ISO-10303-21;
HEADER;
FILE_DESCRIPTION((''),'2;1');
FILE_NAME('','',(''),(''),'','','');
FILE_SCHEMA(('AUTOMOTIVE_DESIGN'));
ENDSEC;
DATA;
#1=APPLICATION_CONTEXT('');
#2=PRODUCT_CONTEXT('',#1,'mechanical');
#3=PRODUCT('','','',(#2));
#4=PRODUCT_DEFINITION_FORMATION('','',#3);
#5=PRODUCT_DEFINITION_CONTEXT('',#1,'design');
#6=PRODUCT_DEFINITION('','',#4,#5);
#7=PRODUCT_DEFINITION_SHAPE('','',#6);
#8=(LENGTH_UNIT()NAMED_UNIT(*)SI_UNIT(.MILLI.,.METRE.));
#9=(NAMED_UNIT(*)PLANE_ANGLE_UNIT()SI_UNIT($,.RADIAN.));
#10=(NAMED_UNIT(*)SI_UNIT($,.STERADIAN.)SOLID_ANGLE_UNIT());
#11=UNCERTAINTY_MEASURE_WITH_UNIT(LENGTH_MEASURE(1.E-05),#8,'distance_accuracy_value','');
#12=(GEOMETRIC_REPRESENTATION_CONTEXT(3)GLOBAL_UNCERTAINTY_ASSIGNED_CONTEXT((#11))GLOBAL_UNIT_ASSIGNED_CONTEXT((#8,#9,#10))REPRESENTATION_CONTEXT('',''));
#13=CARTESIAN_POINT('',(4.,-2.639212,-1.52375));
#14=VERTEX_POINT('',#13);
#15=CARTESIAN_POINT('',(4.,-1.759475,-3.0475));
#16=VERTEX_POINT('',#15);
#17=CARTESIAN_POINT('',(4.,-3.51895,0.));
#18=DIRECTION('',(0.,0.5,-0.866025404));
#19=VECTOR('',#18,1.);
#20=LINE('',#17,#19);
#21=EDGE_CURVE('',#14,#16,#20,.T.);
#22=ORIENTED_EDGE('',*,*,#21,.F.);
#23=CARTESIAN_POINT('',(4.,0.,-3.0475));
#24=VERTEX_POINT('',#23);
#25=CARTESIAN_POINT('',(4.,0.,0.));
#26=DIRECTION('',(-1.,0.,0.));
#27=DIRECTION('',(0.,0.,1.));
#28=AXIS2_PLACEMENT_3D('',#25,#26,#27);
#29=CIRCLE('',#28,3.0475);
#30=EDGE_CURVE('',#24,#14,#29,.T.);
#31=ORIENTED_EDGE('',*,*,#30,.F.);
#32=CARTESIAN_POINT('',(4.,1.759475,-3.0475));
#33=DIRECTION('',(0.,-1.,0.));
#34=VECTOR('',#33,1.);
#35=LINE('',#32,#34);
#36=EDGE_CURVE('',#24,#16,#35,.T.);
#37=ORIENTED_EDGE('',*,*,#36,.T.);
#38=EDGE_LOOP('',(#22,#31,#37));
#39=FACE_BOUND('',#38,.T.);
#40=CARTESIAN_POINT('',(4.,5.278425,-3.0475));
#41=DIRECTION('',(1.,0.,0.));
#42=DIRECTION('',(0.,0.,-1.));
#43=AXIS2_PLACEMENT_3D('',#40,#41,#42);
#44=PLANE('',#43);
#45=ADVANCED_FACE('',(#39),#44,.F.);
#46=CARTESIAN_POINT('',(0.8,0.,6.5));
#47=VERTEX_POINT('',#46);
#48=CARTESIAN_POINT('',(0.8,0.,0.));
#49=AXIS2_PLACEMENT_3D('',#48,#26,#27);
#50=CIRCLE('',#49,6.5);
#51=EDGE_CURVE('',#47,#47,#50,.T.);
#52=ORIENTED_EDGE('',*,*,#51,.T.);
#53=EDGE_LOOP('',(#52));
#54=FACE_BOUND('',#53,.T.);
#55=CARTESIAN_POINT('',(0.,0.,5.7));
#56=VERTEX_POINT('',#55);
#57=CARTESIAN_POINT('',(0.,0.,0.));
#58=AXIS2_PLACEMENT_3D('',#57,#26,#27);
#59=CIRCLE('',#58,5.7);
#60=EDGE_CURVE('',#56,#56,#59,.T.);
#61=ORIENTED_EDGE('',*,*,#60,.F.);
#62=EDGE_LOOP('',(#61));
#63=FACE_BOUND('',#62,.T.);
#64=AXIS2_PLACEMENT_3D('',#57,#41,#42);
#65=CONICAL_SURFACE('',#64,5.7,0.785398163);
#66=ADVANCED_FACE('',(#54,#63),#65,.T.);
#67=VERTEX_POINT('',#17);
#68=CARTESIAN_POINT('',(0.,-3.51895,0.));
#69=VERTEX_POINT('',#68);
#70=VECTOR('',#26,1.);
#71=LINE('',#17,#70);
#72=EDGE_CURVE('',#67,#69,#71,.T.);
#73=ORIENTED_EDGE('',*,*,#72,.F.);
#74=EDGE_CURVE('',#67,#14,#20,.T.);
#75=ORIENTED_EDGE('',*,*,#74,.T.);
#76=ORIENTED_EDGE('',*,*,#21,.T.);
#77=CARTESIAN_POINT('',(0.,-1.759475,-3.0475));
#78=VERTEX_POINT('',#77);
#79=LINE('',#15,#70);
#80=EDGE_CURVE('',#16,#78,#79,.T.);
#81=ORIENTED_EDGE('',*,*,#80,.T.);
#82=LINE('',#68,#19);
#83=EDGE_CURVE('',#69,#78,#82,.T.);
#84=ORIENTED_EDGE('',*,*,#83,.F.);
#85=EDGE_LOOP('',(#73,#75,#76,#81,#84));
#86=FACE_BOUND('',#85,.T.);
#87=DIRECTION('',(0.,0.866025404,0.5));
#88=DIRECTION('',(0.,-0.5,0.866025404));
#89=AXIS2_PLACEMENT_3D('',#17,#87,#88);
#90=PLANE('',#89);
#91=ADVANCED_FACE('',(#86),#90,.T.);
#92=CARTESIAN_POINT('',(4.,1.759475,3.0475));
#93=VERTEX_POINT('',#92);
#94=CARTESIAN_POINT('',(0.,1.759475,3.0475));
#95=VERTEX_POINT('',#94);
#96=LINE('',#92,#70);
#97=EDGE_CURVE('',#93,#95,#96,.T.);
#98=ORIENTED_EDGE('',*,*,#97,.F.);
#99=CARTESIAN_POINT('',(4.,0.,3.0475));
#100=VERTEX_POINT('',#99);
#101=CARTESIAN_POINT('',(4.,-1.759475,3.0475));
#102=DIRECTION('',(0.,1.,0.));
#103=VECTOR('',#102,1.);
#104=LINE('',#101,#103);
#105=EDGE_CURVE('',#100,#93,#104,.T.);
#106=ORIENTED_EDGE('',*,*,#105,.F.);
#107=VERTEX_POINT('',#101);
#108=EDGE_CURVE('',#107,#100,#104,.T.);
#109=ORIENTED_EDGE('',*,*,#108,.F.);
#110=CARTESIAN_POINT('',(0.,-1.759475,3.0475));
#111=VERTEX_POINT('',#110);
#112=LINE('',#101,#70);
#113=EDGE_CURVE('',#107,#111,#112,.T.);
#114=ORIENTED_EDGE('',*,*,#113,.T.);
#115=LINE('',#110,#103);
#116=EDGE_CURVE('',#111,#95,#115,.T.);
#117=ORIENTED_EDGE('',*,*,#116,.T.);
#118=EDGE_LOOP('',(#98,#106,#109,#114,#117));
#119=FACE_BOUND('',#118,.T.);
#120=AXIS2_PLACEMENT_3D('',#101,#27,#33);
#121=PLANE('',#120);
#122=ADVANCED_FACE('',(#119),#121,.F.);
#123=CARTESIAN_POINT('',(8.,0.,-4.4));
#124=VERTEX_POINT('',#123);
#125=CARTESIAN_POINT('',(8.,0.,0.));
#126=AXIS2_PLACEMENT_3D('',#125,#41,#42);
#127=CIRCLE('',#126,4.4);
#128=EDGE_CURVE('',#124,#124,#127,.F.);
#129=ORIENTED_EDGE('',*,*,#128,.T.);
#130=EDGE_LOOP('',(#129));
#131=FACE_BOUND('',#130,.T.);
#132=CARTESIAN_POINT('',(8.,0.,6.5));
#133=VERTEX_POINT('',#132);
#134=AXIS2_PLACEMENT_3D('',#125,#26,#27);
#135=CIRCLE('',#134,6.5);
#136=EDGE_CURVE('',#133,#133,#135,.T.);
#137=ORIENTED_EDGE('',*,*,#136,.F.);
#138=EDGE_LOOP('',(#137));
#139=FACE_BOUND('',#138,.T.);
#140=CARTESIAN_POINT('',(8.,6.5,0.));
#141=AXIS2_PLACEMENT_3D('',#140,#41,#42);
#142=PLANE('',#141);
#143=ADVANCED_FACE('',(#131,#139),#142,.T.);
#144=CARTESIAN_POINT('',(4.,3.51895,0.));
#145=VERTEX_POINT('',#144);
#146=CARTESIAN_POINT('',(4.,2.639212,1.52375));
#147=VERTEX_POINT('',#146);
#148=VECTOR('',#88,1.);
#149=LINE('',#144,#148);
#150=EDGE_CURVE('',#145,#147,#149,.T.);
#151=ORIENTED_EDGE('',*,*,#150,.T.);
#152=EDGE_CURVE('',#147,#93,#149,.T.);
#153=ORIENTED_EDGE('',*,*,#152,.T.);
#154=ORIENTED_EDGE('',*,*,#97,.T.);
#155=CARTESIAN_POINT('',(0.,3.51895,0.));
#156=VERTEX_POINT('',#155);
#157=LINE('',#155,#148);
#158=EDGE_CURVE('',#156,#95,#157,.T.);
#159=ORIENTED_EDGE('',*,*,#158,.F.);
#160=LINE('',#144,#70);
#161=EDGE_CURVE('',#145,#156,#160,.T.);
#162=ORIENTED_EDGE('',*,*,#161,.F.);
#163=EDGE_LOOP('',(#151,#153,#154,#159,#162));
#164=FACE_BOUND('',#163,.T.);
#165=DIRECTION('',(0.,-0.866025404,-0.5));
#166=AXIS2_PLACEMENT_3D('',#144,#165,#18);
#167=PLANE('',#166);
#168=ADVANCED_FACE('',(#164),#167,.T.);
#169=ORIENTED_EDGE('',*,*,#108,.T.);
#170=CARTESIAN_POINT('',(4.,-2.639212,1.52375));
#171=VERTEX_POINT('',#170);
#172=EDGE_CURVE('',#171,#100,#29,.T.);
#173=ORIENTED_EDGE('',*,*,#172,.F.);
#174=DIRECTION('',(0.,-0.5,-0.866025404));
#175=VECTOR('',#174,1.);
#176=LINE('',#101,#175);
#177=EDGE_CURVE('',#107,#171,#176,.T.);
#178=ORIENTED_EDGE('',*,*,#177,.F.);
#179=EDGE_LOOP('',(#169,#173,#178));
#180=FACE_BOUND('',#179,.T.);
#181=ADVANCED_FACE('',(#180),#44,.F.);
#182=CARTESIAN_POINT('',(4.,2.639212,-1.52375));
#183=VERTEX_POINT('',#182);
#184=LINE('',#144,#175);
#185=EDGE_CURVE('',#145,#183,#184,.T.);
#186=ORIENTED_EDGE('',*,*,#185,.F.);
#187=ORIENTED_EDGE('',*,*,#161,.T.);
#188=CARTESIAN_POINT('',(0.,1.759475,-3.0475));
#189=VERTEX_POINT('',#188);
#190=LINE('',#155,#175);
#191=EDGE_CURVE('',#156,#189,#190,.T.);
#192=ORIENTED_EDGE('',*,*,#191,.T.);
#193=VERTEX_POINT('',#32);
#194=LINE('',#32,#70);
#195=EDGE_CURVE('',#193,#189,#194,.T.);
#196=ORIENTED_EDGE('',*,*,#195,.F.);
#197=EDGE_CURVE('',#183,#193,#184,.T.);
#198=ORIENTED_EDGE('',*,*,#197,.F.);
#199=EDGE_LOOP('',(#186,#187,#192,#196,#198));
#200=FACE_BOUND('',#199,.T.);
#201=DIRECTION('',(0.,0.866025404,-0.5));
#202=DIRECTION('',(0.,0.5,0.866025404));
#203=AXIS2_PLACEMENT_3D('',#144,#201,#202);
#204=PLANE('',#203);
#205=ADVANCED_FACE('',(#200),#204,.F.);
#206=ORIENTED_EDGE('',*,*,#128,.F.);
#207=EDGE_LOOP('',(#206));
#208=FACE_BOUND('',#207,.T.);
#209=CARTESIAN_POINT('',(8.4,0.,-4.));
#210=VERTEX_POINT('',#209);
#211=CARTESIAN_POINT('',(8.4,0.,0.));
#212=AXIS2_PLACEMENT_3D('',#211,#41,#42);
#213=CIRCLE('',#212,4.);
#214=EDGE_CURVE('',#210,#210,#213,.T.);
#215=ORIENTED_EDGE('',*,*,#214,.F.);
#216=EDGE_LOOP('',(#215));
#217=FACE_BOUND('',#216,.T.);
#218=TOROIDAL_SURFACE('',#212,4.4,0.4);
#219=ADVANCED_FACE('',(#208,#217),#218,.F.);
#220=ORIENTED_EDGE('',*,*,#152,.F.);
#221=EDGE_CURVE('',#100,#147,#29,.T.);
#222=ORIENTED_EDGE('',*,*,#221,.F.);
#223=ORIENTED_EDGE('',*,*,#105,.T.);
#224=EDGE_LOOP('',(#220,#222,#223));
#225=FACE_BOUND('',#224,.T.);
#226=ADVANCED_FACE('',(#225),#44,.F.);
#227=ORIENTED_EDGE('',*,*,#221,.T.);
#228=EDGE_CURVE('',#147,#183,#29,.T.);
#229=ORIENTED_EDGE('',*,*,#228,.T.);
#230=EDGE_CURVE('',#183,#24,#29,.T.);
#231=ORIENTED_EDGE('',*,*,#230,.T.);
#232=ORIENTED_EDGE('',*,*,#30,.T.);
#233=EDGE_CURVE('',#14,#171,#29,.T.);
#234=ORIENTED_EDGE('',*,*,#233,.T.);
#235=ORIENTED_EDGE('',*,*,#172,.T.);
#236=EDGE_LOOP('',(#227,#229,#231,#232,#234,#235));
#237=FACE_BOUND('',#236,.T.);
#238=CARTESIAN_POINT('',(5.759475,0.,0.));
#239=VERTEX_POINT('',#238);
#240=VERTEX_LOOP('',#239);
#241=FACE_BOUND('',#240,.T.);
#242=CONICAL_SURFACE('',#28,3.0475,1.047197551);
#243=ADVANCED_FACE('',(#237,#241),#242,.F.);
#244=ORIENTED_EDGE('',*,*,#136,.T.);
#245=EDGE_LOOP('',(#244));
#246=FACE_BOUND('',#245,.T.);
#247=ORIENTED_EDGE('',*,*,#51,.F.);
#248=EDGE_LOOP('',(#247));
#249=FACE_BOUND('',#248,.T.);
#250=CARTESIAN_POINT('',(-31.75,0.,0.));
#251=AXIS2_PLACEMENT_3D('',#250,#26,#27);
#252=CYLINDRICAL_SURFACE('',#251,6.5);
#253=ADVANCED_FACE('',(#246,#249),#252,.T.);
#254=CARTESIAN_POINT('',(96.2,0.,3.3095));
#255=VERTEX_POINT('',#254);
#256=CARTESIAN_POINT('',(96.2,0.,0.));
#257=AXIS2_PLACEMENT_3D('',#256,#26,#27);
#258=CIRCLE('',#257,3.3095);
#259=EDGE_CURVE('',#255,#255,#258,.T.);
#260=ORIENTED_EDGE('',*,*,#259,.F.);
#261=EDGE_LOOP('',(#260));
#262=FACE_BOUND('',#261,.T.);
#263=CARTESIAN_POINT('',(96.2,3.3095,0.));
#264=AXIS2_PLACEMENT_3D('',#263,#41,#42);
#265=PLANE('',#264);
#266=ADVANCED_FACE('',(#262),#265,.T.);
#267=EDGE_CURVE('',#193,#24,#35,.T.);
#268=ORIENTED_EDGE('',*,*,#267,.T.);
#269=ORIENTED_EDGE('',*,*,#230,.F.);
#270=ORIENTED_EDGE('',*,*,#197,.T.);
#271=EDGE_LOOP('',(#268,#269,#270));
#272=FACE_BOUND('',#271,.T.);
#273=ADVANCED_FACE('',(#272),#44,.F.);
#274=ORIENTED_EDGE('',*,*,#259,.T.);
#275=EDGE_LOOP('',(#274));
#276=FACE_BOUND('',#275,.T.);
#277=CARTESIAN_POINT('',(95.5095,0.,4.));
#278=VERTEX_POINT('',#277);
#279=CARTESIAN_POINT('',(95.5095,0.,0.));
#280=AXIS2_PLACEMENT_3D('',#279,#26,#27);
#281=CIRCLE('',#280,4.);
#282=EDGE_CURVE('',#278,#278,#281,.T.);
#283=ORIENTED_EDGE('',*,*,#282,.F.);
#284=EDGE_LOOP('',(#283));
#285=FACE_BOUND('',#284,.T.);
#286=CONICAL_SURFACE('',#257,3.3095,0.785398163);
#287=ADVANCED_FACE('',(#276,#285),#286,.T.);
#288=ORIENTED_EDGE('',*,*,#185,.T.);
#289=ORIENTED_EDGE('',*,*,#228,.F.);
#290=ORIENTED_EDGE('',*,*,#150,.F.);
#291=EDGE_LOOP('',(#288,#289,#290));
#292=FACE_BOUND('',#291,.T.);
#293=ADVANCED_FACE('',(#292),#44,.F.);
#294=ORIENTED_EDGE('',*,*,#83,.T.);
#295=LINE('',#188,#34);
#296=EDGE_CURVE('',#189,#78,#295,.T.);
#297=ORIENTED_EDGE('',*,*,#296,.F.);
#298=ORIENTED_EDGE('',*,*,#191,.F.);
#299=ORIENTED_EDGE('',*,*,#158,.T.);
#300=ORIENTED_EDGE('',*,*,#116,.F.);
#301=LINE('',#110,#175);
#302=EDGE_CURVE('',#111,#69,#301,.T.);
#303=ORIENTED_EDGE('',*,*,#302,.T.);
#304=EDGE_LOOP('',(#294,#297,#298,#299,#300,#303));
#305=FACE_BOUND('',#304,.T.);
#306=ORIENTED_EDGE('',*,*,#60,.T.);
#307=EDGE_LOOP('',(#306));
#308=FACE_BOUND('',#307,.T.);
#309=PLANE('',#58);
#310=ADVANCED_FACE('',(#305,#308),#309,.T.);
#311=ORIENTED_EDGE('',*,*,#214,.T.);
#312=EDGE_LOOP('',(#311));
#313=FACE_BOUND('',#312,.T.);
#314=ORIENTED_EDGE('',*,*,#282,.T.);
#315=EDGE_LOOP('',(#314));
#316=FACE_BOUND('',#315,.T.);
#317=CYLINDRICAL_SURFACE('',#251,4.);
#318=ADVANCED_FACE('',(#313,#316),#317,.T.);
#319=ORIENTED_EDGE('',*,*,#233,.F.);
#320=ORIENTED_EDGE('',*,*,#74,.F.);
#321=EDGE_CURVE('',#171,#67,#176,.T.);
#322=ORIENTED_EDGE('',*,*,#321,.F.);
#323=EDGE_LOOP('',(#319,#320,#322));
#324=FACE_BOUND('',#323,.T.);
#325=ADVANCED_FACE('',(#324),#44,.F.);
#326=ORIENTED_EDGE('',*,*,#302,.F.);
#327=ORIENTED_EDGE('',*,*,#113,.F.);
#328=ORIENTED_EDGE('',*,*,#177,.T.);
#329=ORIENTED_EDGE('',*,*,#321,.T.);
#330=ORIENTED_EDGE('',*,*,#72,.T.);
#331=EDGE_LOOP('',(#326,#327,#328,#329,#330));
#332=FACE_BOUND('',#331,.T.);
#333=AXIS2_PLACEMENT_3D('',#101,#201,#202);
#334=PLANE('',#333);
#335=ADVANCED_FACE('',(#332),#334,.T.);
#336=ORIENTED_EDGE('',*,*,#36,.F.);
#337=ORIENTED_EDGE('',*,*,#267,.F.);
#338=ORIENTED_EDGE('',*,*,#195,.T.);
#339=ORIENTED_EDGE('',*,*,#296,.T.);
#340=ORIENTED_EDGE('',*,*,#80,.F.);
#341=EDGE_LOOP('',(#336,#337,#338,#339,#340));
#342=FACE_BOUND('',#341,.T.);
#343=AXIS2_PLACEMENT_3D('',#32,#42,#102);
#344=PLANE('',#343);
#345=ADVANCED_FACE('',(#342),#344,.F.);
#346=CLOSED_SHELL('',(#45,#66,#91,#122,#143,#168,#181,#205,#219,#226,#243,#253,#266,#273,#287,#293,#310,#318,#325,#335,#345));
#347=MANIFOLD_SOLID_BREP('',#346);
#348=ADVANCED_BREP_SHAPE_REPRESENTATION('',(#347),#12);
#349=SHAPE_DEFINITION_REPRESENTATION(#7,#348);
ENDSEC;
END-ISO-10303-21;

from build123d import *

# Parameters (mm, degrees)
FILLET1_R   = 0.4
HEX_2_DEPTH = 4


with BuildPart() as part:
    # BodySke → Base-Revolve (revolve)
    with BuildSketch(Plane.XY, mode=Mode.PRIVATE) as base_revolve_sk:
        Polygon((0, 0), (0, 5.7), (0.8, 6.5), (8, 6.5), (8, 4), (95.5095, 4), (96.2, 3.3095), (96.2, 0), align=None)
    revolve(base_revolve_sk.sketch.rotate(Axis((-31.75, 0, 0), (1, 0, 0)), 90), axis=Axis((-31.75, 0, 0), (1, 0, 0)))

    # Fillet1
    fillet1_edges = [part.edges().sort_by_distance(p)[0] for p in [
        (8, 0, -4),
    ]]
    fillet(fillet1_edges, radius=FILLET1_R)

    # Sketch2 → Hex-PreBroach (revolve, cut)
    with BuildSketch(Plane.XY, mode=Mode.PRIVATE) as hex_prebroach_sk:
        Polygon((0, 3.0475), (4, 3.0475), (5.759474945, 0), (0, 0), align=None)
    revolve(hex_prebroach_sk.sketch.rotate(Axis((0, 0, 0), (1, 0, 0)), 90), axis=Axis((0, 0, 0), (1, 0, 0)), mode=Mode.SUBTRACT)

    # Sketch3 → Hex 2 (cut)
    with BuildSketch(Plane(origin=(0, 0, 0), x_dir=(0, 0.500000000000001, 0.866025403784438), z_dir=(-1, 0, 0))):
        Polygon((1.759474945, 3.0475), (-1.759474945, 3.0475), (-3.518949891, 0), (-1.759474945, -3.0475), (1.759474945, -3.0475), (3.518949891, 0), align=None)
    extrude(amount=-HEX_2_DEPTH, mode=Mode.SUBTRACT)


solid = part.part
